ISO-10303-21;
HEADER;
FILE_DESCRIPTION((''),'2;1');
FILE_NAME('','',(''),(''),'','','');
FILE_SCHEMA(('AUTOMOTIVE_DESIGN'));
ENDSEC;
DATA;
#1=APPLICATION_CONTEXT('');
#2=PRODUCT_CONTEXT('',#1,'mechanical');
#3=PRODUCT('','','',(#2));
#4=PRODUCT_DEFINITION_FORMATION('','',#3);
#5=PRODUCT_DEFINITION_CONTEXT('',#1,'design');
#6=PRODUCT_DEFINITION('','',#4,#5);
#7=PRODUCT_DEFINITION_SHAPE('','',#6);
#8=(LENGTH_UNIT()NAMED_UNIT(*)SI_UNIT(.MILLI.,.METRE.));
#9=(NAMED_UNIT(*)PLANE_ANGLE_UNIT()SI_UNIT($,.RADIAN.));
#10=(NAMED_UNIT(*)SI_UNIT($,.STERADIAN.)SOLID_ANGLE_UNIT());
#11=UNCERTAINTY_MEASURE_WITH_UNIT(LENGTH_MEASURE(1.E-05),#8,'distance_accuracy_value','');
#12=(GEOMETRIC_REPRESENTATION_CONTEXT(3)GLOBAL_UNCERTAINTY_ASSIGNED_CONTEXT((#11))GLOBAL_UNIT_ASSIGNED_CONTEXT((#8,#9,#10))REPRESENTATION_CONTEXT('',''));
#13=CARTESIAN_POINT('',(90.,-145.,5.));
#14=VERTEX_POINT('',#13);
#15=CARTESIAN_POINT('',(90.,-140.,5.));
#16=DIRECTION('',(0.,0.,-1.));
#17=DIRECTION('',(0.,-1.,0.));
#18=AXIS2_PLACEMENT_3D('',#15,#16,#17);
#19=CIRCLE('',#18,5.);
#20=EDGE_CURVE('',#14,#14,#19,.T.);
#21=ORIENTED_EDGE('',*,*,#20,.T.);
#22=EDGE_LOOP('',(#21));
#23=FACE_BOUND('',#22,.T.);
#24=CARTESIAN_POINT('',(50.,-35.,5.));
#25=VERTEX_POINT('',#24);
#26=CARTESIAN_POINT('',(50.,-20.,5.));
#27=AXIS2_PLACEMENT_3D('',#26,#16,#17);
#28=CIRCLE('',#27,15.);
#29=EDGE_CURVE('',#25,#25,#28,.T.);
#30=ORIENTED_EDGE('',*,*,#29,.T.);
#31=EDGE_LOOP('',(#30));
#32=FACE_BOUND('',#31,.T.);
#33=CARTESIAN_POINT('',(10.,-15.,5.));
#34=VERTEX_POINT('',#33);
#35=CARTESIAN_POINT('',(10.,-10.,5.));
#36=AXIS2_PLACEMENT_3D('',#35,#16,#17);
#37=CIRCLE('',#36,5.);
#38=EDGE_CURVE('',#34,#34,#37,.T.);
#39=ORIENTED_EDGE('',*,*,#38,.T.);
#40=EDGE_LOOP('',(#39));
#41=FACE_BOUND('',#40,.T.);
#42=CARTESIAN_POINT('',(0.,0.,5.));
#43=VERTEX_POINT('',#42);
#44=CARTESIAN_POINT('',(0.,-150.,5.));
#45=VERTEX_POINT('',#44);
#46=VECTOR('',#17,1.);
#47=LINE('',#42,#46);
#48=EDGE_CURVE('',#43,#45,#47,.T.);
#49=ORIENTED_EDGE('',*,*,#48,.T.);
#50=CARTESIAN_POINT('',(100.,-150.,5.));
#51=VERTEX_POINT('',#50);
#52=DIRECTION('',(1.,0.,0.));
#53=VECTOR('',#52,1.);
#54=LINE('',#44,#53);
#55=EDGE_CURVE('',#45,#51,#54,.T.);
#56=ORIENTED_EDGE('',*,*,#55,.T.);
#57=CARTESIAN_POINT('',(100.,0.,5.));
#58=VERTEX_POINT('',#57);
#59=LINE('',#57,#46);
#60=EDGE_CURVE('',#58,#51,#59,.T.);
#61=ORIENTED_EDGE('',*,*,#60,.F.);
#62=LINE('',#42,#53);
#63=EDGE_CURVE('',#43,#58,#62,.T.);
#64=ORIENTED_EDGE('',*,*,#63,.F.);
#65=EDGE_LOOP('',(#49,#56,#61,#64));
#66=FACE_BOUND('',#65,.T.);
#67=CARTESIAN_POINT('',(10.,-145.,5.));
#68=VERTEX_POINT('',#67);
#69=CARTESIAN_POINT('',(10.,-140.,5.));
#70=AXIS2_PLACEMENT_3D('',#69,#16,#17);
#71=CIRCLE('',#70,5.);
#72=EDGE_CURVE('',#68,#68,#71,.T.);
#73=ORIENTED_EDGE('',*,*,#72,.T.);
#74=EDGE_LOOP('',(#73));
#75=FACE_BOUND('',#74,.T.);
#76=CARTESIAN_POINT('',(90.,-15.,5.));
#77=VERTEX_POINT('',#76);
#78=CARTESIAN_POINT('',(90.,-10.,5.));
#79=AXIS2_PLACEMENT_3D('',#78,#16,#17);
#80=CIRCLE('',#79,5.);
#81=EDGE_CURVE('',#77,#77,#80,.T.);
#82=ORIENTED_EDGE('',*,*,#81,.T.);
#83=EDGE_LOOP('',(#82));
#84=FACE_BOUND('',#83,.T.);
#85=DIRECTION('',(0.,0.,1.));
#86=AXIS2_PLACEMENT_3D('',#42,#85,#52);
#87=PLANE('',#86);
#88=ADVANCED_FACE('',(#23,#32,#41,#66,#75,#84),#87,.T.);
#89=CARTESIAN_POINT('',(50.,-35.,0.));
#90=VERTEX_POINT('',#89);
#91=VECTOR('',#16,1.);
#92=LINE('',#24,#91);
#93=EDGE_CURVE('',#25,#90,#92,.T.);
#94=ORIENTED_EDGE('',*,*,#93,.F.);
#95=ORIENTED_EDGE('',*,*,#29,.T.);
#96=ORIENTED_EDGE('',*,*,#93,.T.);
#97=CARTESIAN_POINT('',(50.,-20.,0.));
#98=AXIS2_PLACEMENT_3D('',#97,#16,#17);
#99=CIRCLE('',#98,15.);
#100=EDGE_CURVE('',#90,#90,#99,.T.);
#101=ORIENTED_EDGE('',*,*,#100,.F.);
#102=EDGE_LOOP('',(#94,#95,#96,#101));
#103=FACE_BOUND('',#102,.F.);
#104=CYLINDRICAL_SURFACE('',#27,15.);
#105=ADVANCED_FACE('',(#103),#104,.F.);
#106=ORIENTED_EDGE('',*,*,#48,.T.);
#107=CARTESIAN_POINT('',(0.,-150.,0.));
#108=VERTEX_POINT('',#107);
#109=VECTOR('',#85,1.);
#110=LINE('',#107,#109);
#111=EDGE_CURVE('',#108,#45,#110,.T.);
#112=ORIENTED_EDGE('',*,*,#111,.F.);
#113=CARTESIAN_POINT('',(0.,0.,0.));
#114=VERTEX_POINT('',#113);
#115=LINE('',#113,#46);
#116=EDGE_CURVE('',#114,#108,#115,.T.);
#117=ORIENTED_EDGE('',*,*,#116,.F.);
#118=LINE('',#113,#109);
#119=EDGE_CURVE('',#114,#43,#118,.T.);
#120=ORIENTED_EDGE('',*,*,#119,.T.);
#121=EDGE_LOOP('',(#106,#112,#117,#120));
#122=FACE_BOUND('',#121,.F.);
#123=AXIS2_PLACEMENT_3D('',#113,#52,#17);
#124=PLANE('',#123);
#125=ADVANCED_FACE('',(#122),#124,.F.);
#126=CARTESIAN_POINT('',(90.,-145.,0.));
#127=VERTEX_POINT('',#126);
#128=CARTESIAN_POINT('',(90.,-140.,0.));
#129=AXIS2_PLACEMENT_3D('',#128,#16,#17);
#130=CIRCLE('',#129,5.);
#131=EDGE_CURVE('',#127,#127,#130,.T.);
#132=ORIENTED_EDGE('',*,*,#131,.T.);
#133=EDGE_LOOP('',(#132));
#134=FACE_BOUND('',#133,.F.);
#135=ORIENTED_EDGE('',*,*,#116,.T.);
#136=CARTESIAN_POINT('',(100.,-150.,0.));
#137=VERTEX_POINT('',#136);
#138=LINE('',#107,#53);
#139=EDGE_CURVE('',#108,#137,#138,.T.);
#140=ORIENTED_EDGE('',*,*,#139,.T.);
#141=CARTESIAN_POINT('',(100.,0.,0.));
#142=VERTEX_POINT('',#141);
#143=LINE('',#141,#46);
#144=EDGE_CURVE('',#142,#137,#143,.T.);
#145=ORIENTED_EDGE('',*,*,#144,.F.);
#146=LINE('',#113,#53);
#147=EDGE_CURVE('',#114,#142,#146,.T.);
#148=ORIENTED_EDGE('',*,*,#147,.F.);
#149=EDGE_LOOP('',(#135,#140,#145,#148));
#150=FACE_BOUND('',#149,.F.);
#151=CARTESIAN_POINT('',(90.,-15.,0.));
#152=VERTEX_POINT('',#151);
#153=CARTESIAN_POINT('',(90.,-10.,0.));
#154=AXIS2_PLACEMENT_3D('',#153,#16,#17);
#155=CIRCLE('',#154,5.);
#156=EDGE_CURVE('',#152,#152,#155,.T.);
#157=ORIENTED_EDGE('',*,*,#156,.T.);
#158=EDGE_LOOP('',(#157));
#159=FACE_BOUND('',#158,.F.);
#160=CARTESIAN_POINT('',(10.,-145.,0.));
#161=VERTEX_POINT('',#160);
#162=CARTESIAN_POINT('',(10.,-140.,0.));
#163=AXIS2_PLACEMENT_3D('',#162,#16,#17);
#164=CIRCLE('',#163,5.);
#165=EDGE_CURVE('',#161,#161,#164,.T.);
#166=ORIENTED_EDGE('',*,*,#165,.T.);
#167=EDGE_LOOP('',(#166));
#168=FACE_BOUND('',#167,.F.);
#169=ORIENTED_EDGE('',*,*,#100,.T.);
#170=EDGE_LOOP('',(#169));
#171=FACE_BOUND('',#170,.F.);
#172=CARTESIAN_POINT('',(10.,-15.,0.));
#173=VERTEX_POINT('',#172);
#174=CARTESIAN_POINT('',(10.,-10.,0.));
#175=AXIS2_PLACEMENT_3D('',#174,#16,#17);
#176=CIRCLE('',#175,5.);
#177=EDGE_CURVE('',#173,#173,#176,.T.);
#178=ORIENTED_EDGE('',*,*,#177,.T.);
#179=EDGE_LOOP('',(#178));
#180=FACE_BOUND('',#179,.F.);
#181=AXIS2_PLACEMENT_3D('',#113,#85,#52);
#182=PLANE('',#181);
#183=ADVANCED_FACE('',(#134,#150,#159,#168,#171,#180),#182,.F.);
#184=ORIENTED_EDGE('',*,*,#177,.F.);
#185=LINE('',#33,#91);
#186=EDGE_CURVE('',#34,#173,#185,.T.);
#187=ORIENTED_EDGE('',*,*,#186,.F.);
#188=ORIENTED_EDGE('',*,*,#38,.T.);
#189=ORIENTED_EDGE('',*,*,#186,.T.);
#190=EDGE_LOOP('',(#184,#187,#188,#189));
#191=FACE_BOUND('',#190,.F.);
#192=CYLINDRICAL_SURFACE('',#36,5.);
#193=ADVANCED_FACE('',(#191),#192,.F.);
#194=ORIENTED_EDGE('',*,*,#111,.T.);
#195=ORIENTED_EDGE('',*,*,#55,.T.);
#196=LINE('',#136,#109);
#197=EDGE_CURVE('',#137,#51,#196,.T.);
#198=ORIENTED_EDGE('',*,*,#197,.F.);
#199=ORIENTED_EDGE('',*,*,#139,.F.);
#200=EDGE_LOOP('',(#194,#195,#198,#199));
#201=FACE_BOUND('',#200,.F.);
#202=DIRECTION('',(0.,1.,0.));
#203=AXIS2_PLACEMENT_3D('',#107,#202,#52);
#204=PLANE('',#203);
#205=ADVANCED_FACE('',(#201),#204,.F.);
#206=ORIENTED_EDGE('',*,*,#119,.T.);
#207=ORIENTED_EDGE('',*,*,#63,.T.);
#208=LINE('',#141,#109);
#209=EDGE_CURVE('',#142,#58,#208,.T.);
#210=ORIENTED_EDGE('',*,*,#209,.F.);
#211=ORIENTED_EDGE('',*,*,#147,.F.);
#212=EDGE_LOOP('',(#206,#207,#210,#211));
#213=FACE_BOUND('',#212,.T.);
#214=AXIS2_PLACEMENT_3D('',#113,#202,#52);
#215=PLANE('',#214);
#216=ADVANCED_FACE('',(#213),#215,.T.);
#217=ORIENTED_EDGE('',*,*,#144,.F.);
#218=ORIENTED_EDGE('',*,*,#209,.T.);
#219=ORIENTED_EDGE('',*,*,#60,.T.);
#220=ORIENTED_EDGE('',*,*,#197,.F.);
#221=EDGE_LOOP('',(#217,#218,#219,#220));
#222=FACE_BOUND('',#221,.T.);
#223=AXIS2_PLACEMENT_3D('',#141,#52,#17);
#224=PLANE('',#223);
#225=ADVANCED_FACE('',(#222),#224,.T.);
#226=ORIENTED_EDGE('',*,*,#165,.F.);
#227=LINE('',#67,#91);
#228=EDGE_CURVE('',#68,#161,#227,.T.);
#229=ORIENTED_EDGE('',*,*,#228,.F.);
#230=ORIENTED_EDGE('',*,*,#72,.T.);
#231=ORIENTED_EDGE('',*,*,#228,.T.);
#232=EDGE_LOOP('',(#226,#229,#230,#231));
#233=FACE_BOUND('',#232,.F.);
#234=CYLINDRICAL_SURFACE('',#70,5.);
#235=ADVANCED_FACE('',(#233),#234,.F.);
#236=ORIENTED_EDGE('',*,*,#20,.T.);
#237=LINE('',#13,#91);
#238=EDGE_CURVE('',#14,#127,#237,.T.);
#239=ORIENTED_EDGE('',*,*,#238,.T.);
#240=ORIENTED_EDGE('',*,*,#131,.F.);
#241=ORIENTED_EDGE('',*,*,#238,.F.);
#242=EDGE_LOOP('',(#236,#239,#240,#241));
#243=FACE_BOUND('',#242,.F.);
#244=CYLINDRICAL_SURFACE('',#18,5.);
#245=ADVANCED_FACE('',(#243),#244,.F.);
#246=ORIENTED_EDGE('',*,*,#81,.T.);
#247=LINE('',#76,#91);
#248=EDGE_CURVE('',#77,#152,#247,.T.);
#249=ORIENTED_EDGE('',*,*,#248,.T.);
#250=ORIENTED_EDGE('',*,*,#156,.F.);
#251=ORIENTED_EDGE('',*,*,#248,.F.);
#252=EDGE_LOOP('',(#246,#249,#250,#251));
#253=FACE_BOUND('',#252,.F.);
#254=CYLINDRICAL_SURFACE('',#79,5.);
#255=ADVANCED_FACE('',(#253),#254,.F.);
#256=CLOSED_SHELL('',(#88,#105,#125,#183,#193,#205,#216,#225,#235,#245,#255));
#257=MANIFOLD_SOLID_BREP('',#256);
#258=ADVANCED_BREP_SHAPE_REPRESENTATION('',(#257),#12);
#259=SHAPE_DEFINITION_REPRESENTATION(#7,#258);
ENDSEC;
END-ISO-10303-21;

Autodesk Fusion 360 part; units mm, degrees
sketch "Sketch1" plane through (0, 0, 0) normal (0, 0, 1) x (1, 0, 0)
  line L0 (0, 0) -> (100, 0)
  line L1 (100, 0) -> (100, -150)
  line L2 (0, 0) -> (0, -150)
  line L3 (0, -150) -> (100, -150)
  dimension "d1" = 100
  dimension "d2" = 150
extrude "Extrude1" add sketch "Sketch1" along normal blind 5
hole "Hole1" at (10, -10, 5) direction (0, 0, -1) diameter 10 depth 5 tip angle 180
hole "Hole2" at (90, -10, 5) direction (0, 0, -1) diameter 10 depth 5 tip angle 180
hole "Hole3" at (10, -140, 5) direction (0, 0, -1) diameter 10 depth 5 tip angle 180
hole "Hole4" at (90, -140, 5) direction (0, 0, -1) diameter 10 depth 5 tip angle 180
hole "Hole5" at (50, -20, 5) direction (0, 0, -1) diameter 30 depth 5 tip angle 180
